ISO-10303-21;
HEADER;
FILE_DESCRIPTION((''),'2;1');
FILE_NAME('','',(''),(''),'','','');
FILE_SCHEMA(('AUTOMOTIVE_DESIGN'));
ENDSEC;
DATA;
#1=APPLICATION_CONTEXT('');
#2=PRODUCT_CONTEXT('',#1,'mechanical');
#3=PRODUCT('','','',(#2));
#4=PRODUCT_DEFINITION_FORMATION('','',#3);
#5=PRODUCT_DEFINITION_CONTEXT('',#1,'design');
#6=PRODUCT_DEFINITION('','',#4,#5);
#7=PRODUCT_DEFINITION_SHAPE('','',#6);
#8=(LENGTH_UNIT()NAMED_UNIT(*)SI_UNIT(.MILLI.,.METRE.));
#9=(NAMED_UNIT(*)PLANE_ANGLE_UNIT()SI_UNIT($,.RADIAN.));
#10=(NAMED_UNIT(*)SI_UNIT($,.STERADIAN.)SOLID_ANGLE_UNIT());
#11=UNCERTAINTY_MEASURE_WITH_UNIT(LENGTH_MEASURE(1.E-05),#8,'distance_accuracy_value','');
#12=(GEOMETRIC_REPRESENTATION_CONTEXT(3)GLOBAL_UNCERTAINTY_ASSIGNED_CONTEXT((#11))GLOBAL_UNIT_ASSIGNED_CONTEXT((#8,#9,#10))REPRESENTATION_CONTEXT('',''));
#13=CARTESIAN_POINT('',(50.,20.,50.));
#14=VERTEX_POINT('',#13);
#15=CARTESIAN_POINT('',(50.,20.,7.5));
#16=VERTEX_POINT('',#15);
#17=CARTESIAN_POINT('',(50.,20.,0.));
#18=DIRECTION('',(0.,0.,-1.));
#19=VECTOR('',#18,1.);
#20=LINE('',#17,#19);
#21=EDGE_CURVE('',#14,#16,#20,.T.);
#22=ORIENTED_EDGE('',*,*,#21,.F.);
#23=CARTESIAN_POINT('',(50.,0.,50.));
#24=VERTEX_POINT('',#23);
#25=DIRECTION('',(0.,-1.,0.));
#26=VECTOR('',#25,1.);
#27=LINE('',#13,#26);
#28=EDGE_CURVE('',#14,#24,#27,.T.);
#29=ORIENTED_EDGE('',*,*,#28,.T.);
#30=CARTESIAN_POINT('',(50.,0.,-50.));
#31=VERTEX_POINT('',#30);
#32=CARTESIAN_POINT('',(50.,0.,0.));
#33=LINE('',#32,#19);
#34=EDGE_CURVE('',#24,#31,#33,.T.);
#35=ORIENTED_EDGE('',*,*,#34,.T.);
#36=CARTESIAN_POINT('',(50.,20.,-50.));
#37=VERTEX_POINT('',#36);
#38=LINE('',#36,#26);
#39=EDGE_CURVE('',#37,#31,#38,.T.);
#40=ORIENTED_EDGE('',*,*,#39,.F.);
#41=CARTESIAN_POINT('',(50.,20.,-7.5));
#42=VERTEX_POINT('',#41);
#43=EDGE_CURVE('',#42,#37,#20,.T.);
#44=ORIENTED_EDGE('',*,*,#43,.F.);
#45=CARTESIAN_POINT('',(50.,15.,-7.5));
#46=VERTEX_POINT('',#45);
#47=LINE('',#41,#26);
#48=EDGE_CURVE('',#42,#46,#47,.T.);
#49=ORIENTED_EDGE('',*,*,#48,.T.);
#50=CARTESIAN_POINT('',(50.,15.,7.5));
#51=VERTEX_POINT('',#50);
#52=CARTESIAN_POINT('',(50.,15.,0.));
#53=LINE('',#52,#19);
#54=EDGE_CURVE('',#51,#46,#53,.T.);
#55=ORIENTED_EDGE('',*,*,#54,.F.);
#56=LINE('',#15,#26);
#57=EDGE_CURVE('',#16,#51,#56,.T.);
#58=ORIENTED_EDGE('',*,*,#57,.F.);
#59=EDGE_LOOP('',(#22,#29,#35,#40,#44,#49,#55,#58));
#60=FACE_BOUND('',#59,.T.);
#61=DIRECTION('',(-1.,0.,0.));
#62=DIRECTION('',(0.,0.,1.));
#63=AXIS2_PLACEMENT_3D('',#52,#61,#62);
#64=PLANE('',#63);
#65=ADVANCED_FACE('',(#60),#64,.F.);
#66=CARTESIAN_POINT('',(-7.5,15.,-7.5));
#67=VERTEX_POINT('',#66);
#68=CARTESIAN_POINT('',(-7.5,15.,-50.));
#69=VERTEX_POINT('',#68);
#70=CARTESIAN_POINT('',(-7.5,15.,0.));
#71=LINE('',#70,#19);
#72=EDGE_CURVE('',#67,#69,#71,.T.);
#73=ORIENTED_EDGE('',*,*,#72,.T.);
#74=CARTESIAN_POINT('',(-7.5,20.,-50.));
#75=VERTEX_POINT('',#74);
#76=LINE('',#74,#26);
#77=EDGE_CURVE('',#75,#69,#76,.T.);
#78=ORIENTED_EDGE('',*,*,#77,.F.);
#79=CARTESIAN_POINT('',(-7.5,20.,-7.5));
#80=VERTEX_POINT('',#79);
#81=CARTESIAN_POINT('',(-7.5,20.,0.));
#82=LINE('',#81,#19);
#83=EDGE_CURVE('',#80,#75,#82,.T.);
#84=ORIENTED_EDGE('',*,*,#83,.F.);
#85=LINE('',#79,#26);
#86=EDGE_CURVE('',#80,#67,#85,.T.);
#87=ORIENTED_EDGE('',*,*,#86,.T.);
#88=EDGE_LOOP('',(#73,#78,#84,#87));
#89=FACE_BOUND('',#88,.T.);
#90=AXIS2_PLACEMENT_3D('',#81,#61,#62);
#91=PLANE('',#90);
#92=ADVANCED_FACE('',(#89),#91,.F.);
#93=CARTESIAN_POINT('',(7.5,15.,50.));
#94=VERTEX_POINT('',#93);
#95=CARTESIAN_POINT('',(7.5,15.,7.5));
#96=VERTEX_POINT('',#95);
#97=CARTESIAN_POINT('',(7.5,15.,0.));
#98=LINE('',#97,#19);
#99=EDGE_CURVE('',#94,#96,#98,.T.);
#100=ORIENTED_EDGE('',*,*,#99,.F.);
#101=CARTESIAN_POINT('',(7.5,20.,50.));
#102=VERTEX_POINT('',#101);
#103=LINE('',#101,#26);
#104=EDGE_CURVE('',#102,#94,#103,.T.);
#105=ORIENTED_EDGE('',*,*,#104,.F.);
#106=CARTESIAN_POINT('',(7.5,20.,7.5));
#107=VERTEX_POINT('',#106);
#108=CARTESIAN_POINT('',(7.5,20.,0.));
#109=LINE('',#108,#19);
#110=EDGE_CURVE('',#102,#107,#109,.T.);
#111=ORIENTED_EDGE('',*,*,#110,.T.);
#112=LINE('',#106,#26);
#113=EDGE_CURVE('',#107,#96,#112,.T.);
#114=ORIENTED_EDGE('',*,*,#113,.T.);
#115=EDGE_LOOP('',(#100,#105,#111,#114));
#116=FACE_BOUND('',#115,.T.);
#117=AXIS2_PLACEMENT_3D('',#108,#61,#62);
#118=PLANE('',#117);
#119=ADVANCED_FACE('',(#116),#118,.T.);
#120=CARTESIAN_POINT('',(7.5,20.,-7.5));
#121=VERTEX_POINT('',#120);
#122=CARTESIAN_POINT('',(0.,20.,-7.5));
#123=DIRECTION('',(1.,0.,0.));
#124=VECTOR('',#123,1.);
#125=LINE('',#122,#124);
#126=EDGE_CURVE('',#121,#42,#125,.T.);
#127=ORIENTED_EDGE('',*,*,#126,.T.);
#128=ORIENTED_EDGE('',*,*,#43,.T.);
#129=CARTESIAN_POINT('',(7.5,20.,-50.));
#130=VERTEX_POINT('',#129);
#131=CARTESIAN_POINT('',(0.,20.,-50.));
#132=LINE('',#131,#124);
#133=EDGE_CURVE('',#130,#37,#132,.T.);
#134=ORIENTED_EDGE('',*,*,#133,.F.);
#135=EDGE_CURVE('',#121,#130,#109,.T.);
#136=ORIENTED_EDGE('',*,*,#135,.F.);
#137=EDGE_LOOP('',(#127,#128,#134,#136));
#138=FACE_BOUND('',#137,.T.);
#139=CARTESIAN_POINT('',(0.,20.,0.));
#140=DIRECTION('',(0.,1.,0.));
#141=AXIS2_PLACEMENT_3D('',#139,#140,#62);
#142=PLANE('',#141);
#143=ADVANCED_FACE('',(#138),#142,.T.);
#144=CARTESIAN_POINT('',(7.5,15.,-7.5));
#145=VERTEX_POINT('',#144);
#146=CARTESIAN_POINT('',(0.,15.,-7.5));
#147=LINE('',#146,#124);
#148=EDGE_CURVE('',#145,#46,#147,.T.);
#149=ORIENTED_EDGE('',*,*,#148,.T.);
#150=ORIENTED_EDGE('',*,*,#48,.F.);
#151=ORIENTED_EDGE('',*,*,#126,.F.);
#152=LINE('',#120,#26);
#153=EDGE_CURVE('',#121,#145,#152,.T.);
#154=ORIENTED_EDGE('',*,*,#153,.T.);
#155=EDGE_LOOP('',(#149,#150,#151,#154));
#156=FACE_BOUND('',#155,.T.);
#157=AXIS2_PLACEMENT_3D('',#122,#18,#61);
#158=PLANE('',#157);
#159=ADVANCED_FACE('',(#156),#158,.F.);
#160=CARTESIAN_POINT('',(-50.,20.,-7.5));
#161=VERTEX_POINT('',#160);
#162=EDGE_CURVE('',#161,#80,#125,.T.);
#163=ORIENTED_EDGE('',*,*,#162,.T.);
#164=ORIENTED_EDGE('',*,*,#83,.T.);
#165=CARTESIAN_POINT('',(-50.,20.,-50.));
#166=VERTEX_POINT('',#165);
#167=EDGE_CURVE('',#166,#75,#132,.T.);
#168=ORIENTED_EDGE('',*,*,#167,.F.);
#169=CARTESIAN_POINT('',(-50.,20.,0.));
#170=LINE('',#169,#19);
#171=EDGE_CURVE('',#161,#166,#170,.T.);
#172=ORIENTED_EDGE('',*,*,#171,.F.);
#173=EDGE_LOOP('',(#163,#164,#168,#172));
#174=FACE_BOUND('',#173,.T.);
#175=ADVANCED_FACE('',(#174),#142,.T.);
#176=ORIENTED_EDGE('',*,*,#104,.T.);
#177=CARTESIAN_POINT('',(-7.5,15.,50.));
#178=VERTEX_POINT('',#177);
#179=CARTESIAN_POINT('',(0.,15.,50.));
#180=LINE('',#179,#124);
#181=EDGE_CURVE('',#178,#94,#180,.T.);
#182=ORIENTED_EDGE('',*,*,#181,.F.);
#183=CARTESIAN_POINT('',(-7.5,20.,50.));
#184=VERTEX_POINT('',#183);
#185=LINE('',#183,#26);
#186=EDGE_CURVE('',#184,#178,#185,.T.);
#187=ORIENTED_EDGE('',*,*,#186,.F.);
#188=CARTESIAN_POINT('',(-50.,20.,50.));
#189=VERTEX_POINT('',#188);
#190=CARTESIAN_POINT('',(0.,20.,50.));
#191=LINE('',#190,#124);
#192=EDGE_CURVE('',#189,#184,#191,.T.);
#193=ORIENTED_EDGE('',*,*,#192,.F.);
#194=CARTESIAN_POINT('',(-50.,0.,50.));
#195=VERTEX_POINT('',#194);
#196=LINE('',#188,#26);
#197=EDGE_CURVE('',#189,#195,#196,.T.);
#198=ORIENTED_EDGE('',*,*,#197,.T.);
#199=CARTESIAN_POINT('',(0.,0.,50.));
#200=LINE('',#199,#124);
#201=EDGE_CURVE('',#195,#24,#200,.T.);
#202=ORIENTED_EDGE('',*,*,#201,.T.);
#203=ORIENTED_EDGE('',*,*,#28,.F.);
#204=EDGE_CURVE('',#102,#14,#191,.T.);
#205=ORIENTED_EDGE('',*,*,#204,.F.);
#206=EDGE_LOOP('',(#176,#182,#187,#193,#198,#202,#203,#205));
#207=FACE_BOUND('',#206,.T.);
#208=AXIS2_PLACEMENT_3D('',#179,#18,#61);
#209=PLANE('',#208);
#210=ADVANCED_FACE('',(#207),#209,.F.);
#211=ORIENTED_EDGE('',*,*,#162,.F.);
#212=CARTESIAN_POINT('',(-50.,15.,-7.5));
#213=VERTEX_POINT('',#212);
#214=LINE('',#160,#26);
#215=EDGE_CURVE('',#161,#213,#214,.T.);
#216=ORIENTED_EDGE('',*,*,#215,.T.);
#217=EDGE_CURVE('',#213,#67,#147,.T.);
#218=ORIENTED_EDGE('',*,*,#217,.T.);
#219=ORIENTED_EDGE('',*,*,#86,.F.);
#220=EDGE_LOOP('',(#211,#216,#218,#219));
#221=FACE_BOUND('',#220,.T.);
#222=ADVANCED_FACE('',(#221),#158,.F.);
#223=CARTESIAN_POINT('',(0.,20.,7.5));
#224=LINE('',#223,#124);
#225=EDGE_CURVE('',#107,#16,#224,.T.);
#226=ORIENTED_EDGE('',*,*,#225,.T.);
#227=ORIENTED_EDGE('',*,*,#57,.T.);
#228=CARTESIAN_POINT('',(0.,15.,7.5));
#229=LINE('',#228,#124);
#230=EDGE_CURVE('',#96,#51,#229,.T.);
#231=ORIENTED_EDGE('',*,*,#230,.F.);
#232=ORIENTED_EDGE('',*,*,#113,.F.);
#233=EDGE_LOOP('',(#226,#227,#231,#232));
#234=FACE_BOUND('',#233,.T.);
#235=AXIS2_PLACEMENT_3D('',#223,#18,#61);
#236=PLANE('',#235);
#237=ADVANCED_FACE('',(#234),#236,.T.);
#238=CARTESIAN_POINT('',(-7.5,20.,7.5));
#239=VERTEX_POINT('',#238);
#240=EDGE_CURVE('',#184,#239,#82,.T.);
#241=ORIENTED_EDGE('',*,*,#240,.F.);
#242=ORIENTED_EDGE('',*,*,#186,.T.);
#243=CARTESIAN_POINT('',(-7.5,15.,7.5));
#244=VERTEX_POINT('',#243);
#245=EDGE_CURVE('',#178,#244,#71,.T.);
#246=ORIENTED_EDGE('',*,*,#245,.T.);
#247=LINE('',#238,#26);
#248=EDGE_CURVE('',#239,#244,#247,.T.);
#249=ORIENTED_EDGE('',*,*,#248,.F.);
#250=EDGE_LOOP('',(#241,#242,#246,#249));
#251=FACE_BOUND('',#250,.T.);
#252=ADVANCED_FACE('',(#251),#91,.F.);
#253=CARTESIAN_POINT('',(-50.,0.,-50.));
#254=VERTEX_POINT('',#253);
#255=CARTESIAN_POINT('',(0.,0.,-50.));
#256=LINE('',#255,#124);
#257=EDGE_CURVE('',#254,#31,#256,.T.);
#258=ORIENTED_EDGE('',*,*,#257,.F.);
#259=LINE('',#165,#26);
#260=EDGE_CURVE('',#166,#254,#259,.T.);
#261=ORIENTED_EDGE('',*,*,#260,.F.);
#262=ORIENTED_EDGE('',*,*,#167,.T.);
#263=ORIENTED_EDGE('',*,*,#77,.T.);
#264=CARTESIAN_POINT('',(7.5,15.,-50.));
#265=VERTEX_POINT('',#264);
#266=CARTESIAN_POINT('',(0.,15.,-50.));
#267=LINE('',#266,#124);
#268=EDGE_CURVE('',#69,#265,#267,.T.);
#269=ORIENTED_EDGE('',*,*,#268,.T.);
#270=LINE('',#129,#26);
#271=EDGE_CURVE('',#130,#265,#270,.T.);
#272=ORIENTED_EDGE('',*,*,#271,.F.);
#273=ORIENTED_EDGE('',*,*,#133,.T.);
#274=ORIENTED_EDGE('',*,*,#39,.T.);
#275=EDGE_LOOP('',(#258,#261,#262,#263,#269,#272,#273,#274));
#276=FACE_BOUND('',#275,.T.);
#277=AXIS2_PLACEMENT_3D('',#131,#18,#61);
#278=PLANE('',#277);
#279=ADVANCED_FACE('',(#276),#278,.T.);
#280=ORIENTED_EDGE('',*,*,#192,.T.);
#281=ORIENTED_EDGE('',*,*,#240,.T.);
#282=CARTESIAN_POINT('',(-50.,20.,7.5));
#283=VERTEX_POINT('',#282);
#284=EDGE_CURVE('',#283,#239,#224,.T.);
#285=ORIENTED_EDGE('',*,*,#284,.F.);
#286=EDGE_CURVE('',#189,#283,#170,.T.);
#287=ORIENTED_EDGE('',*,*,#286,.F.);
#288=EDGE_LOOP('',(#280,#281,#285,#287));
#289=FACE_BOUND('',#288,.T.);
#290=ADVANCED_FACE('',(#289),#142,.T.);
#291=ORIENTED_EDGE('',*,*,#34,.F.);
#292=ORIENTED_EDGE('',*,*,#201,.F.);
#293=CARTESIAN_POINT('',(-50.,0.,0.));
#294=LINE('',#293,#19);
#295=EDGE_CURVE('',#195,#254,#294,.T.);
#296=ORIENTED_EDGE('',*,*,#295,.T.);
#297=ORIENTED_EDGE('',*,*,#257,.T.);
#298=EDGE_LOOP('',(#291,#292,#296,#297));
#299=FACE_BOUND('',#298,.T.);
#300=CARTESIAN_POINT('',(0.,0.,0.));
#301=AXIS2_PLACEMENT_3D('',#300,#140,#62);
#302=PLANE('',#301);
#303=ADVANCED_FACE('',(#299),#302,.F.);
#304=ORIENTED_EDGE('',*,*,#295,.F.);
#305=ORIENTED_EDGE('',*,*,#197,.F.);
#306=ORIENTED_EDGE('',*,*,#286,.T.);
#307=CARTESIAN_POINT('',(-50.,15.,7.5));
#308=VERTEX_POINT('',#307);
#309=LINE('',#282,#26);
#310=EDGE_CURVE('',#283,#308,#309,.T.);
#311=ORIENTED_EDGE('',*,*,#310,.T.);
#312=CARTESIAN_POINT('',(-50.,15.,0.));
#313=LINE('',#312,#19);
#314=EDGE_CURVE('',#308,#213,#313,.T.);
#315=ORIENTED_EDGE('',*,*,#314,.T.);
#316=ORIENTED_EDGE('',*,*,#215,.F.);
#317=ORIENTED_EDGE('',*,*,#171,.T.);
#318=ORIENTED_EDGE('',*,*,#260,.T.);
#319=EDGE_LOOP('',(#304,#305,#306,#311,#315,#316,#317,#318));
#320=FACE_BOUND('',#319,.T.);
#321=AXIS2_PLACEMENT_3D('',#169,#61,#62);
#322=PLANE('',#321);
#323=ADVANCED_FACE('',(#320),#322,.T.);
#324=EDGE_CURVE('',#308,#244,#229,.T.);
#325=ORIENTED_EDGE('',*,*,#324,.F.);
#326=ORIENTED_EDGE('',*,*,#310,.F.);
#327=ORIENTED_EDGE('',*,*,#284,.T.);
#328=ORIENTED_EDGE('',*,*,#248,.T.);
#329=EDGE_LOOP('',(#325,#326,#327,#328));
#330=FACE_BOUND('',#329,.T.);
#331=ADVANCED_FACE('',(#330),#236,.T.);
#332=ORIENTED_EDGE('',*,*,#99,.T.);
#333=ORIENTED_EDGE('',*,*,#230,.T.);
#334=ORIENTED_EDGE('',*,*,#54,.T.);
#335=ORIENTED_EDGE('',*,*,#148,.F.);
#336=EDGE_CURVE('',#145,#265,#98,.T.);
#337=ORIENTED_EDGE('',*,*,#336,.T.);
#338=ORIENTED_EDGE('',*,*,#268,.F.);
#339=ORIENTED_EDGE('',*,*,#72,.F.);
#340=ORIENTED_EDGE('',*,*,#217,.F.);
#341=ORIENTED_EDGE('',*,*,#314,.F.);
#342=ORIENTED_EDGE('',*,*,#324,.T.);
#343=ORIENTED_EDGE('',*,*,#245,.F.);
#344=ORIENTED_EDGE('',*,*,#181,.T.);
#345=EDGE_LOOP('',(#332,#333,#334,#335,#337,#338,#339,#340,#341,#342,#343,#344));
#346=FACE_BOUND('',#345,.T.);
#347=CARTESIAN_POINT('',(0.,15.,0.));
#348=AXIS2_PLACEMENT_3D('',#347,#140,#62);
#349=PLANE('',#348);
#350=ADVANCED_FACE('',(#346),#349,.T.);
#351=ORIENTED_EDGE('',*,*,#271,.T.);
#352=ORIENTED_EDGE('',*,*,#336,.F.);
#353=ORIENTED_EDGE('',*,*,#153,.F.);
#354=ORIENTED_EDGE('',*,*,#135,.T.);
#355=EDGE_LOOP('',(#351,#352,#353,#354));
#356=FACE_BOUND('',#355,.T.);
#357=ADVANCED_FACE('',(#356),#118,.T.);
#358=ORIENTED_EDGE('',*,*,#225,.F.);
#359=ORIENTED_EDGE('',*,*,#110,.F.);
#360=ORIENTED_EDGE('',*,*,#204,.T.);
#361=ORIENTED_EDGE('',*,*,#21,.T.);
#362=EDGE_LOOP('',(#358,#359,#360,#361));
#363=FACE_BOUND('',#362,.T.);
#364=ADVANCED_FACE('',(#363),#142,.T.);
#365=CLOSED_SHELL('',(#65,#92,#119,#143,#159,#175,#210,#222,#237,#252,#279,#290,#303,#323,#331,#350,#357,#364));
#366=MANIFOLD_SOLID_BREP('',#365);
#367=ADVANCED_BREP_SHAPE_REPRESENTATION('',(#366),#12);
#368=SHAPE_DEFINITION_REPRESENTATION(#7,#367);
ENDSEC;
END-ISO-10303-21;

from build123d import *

# Parameters (mm, degrees)
ESBO_O2_W                  = 42.5
ESBO_O2_H                  = 42.5
RESSALTO_EXTRUS_O1_DEPTH   = 20
RESSALTO_EXTRUS_O1_2_DEPTH = 20
RESSALTO_EXTRUS_O1_3_DEPTH = 20
RESSALTO_EXTRUS_O1_4_DEPTH = 20
RESSALTO_EXTRUS_O2_DEPTH   = 15


with BuildPart() as part:
    # Esboço2 → Ressalto-extrusão1 (new body)
    with BuildSketch(Plane(origin=(0, 0, 0), x_dir=(1, 0, 0), z_dir=(0, 1, 0))):
        with Locations((-28.75, 28.75)):
            Rectangle(ESBO_O2_W, ESBO_O2_H)
    extrude(amount=RESSALTO_EXTRUS_O1_DEPTH)



with BuildPart() as body_2:
    # Esboço2 → Ressalto-extrus_o1 2 (new body)
    with BuildSketch(Plane(origin=(0, 0, 0), x_dir=(1, 0, 0), z_dir=(0, 1, 0))):
        with Locations((28.75, 28.75)):
            Rectangle(ESBO_O2_W, ESBO_O2_H)
    extrude(amount=RESSALTO_EXTRUS_O1_2_DEPTH)


with BuildPart() as body_3:
    # Esboço2 → Ressalto-extrus_o1 3 (new body)
    with BuildSketch(Plane(origin=(0, 0, 0), x_dir=(1, 0, 0), z_dir=(0, 1, 0))):
        with Locations((-28.75, -28.75)):
            Rectangle(ESBO_O2_W, ESBO_O2_H)
    extrude(amount=RESSALTO_EXTRUS_O1_3_DEPTH)


with BuildPart() as body_4:
    # Esboço2 → Ressalto-extrus_o1 4 (new body)
    with BuildSketch(Plane(origin=(0, 0, 0), x_dir=(1, 0, 0), z_dir=(0, 1, 0))):
        with Locations((28.75, -28.75)):
            Rectangle(ESBO_O2_W, ESBO_O2_H)
    extrude(amount=RESSALTO_EXTRUS_O1_4_DEPTH)


with BuildPart() as part_1:
    add(part.part)

    add(body_2.part)  # Ressalto-extrusão2 merges body 2

    add(body_3.part)  # Ressalto-extrusão2 merges body 3

    add(body_4.part)  # Ressalto-extrusão2 merges body 4
    # Esboço2<3> → Ressalto-extrusão2 (add)
    with BuildSketch(Plane(origin=(0, 0, 0), x_dir=(1, 0, 0), z_dir=(0, 1, 0))):
        Polygon((50, 7.5), (7.5, 7.5), (7.5, 50), (-7.5, 50), (-7.5, 7.5), (-50, 7.5), (-50, -7.5), (-7.5, -7.5), (-7.5, -50), (7.5, -50), (7.5, -7.5), (50, -7.5), align=None)
    extrude(amount=RESSALTO_EXTRUS_O2_DEPTH)


solid = part_1.part
